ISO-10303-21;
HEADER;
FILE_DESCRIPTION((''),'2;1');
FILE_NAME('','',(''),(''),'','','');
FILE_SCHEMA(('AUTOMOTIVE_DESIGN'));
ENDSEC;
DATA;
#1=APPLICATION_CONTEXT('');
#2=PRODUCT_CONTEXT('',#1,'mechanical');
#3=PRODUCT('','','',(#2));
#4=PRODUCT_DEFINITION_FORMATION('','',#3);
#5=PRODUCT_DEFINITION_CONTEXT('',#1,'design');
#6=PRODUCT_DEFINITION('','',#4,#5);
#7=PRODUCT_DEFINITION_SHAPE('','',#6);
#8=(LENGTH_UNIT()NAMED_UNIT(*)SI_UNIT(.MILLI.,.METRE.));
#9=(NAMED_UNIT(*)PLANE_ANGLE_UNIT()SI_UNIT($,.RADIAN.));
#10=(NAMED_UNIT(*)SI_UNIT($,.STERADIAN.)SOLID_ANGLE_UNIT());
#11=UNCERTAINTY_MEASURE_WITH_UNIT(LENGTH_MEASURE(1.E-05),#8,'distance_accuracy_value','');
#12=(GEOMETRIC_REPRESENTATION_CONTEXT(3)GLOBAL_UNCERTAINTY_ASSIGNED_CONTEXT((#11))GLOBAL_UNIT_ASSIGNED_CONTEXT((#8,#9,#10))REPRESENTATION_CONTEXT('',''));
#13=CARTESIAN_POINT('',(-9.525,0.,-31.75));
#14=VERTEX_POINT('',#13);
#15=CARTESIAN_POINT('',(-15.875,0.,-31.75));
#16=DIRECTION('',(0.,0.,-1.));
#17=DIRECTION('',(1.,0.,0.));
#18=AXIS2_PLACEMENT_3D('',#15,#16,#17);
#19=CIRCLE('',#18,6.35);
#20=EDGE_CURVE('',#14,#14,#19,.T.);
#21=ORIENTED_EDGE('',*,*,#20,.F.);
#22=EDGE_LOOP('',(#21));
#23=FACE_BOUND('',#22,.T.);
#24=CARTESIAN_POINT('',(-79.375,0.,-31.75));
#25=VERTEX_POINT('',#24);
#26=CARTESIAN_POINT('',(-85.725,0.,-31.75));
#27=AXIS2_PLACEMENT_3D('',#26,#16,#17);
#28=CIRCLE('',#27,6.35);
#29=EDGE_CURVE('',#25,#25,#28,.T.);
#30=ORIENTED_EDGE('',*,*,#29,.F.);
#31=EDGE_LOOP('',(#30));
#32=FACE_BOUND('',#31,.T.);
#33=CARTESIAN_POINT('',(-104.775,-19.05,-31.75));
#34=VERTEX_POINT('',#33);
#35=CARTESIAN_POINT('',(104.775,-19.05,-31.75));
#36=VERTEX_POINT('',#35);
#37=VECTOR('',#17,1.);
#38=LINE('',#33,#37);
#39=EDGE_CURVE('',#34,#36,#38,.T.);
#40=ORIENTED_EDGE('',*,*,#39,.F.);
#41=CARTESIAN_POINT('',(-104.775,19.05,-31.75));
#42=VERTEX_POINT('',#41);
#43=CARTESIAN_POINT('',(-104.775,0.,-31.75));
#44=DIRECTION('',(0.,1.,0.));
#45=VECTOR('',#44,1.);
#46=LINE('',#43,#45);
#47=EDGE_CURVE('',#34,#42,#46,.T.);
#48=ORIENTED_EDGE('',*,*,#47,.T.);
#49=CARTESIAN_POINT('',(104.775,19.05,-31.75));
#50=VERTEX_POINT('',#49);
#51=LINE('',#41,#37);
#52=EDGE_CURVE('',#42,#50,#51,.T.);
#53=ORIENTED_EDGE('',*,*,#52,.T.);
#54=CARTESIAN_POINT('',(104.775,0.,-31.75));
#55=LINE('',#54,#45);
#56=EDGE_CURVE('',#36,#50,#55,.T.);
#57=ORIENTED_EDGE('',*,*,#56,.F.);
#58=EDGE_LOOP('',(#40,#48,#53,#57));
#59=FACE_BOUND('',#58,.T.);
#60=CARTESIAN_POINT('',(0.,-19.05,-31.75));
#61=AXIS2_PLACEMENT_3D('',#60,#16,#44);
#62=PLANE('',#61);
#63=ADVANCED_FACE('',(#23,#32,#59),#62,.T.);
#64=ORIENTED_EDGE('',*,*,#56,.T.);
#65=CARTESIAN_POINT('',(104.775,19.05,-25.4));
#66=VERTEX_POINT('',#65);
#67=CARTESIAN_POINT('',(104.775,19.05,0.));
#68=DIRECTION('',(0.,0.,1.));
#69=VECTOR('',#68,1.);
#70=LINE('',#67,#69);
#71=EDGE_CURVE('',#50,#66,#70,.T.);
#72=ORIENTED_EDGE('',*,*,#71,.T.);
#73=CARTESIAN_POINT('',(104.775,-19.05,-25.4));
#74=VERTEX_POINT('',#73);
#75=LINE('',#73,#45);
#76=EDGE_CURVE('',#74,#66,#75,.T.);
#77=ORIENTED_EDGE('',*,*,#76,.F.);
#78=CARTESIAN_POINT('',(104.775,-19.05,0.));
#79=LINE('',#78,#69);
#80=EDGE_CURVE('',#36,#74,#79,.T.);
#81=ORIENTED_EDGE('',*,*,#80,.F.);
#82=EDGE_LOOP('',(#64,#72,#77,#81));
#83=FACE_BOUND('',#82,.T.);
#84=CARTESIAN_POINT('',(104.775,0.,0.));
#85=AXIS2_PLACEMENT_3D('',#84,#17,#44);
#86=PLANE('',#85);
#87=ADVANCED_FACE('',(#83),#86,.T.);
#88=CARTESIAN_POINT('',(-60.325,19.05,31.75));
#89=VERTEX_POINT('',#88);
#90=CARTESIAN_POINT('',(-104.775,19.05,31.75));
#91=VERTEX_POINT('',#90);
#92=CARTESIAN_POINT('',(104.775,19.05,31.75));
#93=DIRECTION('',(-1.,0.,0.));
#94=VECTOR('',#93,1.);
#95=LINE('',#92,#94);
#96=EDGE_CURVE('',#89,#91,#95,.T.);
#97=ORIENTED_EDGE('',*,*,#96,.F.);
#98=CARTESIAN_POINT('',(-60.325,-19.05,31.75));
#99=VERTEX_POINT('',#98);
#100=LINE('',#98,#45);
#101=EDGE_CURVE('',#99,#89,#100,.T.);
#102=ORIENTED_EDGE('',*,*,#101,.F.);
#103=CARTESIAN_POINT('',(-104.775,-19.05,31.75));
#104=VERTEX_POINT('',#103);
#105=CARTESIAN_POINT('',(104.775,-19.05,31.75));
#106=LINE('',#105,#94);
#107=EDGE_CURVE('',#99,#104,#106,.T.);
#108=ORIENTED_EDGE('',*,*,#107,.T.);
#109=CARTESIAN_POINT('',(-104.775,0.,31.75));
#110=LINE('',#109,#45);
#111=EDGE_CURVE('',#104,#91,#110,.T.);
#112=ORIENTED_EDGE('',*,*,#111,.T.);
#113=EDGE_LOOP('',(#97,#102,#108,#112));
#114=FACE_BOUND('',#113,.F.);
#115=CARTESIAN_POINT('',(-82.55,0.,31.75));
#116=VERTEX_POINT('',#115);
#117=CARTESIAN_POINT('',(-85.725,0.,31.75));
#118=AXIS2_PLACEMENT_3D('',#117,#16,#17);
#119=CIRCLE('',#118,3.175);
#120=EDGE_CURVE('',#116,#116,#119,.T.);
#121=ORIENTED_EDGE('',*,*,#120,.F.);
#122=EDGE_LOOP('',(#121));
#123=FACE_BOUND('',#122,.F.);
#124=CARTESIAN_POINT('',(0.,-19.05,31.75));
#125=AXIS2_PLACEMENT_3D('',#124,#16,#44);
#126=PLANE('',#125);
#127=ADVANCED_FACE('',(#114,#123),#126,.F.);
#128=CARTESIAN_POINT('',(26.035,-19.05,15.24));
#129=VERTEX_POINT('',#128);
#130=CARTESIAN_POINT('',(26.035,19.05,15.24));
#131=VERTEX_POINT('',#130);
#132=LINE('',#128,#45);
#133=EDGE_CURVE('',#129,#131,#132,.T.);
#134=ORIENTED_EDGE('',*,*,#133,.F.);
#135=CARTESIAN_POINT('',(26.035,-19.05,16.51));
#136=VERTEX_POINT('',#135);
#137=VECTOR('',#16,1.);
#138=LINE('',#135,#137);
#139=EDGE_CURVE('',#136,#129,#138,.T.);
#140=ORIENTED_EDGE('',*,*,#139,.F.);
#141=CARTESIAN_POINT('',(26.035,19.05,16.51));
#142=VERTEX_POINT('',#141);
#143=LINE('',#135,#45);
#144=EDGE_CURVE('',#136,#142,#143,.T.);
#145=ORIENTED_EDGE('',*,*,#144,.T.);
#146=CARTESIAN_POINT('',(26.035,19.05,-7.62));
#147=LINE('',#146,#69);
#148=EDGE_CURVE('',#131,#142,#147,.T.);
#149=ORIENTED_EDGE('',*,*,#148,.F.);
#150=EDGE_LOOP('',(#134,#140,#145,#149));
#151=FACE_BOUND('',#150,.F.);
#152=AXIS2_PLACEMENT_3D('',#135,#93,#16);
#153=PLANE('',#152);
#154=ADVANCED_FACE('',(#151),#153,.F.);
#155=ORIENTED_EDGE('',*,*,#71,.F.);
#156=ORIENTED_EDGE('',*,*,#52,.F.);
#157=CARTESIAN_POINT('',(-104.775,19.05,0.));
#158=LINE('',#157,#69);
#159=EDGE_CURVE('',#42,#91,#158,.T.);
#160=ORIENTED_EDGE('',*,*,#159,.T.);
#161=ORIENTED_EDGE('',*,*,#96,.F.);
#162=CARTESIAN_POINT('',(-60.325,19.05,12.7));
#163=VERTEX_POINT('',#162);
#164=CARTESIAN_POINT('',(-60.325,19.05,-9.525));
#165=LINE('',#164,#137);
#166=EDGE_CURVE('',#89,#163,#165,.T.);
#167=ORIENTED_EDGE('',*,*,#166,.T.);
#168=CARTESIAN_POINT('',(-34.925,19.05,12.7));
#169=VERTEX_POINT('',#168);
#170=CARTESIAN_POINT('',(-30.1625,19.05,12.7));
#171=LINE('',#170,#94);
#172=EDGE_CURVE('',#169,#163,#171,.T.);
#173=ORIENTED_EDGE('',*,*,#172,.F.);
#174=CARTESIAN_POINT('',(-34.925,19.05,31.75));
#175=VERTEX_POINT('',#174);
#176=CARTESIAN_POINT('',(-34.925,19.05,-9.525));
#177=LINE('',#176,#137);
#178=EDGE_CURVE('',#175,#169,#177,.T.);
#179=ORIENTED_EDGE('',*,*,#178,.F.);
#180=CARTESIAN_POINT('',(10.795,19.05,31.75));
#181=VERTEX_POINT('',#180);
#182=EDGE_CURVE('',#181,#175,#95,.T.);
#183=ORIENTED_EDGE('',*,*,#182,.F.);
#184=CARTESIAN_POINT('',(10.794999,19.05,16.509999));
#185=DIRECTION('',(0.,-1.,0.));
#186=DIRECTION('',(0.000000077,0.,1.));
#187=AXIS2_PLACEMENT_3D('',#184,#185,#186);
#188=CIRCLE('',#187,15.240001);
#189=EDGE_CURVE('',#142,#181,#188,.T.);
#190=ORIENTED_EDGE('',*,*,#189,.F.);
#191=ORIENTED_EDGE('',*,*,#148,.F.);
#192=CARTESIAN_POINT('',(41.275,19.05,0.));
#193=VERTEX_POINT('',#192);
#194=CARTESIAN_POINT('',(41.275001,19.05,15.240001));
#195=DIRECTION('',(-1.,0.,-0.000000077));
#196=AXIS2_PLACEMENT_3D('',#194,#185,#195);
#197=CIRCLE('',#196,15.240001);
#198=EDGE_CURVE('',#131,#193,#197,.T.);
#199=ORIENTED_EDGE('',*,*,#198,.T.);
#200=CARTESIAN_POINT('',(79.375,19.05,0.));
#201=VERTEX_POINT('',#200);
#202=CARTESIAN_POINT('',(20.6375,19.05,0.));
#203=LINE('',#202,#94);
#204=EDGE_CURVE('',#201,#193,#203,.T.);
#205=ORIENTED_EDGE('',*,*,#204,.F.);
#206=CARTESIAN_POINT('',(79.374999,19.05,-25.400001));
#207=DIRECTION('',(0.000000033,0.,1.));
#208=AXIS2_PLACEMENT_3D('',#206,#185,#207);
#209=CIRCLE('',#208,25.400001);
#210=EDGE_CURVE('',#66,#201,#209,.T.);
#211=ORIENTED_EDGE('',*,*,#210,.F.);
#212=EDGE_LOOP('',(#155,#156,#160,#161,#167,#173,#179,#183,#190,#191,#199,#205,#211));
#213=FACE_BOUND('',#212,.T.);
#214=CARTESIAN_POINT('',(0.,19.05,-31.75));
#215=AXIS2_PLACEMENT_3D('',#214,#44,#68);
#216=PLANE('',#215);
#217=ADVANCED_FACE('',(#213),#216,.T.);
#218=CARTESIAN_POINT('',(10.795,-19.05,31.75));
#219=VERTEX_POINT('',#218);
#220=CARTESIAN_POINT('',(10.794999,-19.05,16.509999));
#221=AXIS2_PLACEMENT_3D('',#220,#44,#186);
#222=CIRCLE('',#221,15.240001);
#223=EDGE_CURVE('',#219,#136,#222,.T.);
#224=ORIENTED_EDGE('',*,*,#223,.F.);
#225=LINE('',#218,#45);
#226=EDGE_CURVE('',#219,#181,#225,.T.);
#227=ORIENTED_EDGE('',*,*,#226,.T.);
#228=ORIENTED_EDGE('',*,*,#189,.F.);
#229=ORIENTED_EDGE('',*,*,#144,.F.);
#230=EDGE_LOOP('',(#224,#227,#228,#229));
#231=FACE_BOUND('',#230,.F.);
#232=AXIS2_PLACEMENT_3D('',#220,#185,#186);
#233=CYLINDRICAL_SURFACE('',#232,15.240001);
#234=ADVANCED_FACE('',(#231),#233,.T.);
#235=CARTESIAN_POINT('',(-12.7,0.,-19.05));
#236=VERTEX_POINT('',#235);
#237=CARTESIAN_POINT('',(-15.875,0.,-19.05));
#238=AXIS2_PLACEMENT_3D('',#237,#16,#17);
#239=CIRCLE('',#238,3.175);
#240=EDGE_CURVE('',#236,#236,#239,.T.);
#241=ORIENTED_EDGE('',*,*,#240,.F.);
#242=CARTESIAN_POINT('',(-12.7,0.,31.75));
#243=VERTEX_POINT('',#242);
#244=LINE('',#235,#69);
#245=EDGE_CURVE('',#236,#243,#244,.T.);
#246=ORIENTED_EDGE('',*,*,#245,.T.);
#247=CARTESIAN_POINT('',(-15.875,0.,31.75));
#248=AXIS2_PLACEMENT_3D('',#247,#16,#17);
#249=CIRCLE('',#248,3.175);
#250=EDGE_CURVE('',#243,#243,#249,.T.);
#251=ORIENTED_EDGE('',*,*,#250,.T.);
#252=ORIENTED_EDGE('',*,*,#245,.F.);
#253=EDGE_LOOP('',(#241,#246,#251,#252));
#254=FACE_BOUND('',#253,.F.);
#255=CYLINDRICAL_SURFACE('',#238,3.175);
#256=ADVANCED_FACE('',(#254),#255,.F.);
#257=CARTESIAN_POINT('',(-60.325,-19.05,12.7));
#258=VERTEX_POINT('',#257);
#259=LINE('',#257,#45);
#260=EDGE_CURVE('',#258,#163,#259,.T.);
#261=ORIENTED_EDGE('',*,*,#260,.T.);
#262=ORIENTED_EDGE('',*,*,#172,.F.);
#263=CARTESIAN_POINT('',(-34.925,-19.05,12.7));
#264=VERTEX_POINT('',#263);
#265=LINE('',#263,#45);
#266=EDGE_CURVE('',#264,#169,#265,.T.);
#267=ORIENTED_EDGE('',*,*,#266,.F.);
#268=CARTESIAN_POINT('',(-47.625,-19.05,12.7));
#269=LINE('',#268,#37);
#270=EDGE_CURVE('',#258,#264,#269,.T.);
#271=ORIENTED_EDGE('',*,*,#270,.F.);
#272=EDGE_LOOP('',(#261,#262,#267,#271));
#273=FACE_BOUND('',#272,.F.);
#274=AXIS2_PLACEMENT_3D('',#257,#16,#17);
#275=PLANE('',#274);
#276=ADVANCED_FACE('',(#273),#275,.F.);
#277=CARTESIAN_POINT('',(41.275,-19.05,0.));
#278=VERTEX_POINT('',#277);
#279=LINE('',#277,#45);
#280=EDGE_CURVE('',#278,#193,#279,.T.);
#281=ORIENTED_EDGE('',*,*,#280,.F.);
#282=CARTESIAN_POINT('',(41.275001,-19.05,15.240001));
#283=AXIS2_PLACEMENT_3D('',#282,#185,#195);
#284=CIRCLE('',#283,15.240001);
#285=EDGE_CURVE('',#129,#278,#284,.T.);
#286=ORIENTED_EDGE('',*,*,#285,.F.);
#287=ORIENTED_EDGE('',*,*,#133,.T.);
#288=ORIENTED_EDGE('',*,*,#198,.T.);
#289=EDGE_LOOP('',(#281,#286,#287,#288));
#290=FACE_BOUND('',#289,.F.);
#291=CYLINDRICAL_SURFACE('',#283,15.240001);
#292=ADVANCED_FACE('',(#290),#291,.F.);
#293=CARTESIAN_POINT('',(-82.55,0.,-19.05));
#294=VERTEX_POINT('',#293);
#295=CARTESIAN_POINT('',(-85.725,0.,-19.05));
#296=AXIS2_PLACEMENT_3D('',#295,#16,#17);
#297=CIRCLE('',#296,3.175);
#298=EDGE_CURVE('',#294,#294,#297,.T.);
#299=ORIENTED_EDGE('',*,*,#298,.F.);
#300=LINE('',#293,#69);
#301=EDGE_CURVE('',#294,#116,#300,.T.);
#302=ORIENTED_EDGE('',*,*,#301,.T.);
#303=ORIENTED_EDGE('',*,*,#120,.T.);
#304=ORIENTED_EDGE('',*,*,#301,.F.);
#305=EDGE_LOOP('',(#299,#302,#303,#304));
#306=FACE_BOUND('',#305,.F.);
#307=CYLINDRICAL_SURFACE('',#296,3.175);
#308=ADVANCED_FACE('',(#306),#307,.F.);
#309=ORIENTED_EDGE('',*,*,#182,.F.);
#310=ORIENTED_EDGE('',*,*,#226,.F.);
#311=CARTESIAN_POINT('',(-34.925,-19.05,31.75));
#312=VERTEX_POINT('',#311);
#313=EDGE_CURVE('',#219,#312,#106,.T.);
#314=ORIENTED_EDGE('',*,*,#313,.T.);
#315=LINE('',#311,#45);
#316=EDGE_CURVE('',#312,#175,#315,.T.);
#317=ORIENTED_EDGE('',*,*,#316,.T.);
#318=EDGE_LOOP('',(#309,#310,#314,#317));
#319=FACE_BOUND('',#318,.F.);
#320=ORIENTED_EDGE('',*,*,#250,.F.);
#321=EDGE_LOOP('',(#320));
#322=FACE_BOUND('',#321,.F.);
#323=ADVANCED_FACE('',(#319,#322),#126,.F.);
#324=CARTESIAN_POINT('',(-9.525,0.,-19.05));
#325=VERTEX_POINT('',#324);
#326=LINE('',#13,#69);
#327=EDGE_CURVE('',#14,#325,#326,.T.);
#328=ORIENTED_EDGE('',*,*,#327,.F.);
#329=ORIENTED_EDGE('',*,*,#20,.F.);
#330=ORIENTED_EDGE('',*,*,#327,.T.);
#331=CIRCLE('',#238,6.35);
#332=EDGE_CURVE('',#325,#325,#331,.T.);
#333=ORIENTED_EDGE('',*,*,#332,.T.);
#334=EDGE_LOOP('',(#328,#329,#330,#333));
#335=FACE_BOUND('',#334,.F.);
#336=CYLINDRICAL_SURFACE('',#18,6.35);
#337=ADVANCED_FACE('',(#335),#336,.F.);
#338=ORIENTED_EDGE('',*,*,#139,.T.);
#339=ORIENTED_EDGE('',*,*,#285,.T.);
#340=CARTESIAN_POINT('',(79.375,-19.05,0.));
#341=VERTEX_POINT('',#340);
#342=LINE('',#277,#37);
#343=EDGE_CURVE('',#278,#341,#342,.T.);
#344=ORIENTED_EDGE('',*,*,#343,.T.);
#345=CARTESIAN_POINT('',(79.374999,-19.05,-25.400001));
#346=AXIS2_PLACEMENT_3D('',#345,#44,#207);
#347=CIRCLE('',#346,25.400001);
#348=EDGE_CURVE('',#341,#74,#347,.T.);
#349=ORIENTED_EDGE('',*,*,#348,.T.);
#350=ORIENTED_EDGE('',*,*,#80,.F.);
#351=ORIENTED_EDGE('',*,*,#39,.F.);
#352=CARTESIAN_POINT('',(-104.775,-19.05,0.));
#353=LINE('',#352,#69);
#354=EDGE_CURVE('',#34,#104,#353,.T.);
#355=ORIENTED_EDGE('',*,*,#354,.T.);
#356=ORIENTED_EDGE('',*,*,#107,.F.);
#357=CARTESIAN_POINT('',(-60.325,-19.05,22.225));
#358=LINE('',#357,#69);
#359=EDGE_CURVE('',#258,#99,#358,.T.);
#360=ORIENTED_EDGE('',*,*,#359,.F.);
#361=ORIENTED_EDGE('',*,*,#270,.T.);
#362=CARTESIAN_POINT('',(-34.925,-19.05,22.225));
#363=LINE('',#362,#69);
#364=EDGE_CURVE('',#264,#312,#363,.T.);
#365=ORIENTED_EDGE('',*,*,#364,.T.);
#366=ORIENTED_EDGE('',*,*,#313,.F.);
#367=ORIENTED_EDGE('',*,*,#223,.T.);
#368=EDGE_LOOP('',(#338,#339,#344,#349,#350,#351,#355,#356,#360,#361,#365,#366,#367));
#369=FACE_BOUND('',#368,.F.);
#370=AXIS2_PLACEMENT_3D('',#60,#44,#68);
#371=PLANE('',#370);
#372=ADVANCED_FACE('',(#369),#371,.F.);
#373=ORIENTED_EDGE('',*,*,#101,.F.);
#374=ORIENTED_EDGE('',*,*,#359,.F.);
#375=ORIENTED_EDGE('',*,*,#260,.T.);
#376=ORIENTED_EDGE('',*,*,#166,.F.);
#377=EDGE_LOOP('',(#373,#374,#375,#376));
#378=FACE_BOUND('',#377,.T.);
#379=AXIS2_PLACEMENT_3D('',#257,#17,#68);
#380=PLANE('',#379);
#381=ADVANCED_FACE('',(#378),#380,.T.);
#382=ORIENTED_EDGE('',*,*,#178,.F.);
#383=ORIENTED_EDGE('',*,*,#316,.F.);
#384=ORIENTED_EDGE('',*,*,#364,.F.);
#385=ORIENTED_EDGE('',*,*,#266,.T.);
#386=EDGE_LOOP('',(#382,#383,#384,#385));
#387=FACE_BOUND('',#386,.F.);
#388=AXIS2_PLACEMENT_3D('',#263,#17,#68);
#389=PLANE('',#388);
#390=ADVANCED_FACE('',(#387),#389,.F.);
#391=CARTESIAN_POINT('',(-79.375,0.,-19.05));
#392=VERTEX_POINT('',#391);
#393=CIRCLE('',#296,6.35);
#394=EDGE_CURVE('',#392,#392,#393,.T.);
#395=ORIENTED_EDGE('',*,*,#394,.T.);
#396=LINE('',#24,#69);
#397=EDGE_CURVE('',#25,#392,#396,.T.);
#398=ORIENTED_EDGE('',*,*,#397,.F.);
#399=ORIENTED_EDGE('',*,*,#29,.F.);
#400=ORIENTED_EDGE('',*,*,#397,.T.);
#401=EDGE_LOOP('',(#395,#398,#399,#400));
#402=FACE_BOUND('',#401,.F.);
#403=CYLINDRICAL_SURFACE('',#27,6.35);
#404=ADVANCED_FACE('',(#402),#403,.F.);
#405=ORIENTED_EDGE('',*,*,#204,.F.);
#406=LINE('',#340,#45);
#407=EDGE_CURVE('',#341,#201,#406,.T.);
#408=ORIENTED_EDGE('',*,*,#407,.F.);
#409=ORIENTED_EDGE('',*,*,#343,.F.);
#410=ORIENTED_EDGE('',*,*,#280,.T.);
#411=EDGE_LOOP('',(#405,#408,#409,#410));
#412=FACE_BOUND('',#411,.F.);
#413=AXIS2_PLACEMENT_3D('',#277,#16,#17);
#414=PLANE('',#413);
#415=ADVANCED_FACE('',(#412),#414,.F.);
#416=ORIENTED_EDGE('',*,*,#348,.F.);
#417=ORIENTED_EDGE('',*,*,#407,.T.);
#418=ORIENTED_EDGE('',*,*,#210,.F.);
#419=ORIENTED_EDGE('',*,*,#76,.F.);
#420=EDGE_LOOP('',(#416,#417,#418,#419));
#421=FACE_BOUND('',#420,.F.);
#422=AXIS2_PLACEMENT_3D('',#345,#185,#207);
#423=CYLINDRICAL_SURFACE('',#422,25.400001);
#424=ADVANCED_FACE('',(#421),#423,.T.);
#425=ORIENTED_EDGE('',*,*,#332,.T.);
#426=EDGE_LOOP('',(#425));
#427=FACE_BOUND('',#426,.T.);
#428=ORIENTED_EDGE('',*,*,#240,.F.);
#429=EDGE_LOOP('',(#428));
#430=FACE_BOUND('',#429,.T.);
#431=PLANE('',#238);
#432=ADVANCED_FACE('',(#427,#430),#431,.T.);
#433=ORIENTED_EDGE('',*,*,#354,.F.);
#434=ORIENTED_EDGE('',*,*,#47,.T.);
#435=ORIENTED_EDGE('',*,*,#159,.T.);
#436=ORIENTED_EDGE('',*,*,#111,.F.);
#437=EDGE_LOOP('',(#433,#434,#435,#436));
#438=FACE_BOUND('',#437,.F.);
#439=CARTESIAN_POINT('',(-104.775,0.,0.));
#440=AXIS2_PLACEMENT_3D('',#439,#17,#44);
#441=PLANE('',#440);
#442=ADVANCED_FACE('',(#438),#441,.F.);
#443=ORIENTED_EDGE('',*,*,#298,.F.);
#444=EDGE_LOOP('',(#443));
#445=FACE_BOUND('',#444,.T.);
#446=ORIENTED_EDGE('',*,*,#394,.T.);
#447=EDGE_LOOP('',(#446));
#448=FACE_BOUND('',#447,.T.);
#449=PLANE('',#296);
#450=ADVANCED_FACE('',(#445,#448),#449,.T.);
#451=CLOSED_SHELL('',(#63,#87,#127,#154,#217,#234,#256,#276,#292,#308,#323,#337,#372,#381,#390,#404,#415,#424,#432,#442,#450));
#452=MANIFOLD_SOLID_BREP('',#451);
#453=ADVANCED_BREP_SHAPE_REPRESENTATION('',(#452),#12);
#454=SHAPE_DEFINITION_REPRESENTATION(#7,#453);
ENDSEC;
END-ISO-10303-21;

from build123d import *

# Parameters (mm, degrees)
F0_W     = 38.1
F0_H     = 63.5
F1_DEPTH = 104.775
F3_DEPTH = 38.101
F4_R     = 6.35
F5_DEPTH = 12.7
F6_R     = 3.175
F7_DEPTH = 50.801
F8_W     = 25.4
F8_H     = 19.05
F9_DEPTH = 38.101


with BuildPart() as f1:
    # F0 (on Right) → F1 (new body, symmetric)
    with BuildSketch(Plane.YZ):
        Rectangle(F0_W, F0_H)
    extrude(amount=F1_DEPTH, both=True)

    # F2 (on face) → F3 (cut, through all)
    with BuildSketch(Plane.XZ.offset(19.05)):
        with BuildLine():
            ThreePointArc((79.375, 0), (97.335512, -7.439488), (104.775, -25.4))
            Line((104.775, -25.4), (104.775, 31.75))
            Line((104.775, 31.75), (10.795, 31.75))
            ThreePointArc((10.795, 31.75), (21.571307, 27.286307), (26.035, 16.51))
            Line((26.035, 16.51), (26.035, 15.24))
            ThreePointArc((26.035, 15.24), (30.498693, 4.463693), (41.275, 0))
            Line((41.275, 0), (79.375, 0))
        make_face()
    extrude(amount=-F3_DEPTH, mode=Mode.SUBTRACT)

    # F4 (on face) → F5 (cut)
    with BuildSketch(Plane(origin=(0, 0, -31.75), x_dir=(1, 0, 0), z_dir=(0, 0, -1))):
        with Locations((-85.725, 0)):
            Circle(F4_R)
        with Locations((-15.875, 0)):
            Circle(F4_R)
    extrude(amount=-F5_DEPTH, mode=Mode.SUBTRACT)

    # F6 (on face) → F7 (cut, through all)
    with BuildSketch(Plane(origin=(0, 0, -19.05), x_dir=(1, 0, 0), z_dir=(0, 0, -1))):
        with Locations((-85.725, 0)):
            Circle(F6_R)
        with Locations((-15.875, 0)):
            Circle(F6_R)
    extrude(amount=-F7_DEPTH, mode=Mode.SUBTRACT)

    # F8 (on face) → F9 (cut, through all)
    with BuildSketch(Plane.XZ.offset(19.05)):
        with Locations((-47.625, 22.225)):
            Rectangle(F8_W, F8_H)
    extrude(amount=-F9_DEPTH, mode=Mode.SUBTRACT)


solid = f1.part
